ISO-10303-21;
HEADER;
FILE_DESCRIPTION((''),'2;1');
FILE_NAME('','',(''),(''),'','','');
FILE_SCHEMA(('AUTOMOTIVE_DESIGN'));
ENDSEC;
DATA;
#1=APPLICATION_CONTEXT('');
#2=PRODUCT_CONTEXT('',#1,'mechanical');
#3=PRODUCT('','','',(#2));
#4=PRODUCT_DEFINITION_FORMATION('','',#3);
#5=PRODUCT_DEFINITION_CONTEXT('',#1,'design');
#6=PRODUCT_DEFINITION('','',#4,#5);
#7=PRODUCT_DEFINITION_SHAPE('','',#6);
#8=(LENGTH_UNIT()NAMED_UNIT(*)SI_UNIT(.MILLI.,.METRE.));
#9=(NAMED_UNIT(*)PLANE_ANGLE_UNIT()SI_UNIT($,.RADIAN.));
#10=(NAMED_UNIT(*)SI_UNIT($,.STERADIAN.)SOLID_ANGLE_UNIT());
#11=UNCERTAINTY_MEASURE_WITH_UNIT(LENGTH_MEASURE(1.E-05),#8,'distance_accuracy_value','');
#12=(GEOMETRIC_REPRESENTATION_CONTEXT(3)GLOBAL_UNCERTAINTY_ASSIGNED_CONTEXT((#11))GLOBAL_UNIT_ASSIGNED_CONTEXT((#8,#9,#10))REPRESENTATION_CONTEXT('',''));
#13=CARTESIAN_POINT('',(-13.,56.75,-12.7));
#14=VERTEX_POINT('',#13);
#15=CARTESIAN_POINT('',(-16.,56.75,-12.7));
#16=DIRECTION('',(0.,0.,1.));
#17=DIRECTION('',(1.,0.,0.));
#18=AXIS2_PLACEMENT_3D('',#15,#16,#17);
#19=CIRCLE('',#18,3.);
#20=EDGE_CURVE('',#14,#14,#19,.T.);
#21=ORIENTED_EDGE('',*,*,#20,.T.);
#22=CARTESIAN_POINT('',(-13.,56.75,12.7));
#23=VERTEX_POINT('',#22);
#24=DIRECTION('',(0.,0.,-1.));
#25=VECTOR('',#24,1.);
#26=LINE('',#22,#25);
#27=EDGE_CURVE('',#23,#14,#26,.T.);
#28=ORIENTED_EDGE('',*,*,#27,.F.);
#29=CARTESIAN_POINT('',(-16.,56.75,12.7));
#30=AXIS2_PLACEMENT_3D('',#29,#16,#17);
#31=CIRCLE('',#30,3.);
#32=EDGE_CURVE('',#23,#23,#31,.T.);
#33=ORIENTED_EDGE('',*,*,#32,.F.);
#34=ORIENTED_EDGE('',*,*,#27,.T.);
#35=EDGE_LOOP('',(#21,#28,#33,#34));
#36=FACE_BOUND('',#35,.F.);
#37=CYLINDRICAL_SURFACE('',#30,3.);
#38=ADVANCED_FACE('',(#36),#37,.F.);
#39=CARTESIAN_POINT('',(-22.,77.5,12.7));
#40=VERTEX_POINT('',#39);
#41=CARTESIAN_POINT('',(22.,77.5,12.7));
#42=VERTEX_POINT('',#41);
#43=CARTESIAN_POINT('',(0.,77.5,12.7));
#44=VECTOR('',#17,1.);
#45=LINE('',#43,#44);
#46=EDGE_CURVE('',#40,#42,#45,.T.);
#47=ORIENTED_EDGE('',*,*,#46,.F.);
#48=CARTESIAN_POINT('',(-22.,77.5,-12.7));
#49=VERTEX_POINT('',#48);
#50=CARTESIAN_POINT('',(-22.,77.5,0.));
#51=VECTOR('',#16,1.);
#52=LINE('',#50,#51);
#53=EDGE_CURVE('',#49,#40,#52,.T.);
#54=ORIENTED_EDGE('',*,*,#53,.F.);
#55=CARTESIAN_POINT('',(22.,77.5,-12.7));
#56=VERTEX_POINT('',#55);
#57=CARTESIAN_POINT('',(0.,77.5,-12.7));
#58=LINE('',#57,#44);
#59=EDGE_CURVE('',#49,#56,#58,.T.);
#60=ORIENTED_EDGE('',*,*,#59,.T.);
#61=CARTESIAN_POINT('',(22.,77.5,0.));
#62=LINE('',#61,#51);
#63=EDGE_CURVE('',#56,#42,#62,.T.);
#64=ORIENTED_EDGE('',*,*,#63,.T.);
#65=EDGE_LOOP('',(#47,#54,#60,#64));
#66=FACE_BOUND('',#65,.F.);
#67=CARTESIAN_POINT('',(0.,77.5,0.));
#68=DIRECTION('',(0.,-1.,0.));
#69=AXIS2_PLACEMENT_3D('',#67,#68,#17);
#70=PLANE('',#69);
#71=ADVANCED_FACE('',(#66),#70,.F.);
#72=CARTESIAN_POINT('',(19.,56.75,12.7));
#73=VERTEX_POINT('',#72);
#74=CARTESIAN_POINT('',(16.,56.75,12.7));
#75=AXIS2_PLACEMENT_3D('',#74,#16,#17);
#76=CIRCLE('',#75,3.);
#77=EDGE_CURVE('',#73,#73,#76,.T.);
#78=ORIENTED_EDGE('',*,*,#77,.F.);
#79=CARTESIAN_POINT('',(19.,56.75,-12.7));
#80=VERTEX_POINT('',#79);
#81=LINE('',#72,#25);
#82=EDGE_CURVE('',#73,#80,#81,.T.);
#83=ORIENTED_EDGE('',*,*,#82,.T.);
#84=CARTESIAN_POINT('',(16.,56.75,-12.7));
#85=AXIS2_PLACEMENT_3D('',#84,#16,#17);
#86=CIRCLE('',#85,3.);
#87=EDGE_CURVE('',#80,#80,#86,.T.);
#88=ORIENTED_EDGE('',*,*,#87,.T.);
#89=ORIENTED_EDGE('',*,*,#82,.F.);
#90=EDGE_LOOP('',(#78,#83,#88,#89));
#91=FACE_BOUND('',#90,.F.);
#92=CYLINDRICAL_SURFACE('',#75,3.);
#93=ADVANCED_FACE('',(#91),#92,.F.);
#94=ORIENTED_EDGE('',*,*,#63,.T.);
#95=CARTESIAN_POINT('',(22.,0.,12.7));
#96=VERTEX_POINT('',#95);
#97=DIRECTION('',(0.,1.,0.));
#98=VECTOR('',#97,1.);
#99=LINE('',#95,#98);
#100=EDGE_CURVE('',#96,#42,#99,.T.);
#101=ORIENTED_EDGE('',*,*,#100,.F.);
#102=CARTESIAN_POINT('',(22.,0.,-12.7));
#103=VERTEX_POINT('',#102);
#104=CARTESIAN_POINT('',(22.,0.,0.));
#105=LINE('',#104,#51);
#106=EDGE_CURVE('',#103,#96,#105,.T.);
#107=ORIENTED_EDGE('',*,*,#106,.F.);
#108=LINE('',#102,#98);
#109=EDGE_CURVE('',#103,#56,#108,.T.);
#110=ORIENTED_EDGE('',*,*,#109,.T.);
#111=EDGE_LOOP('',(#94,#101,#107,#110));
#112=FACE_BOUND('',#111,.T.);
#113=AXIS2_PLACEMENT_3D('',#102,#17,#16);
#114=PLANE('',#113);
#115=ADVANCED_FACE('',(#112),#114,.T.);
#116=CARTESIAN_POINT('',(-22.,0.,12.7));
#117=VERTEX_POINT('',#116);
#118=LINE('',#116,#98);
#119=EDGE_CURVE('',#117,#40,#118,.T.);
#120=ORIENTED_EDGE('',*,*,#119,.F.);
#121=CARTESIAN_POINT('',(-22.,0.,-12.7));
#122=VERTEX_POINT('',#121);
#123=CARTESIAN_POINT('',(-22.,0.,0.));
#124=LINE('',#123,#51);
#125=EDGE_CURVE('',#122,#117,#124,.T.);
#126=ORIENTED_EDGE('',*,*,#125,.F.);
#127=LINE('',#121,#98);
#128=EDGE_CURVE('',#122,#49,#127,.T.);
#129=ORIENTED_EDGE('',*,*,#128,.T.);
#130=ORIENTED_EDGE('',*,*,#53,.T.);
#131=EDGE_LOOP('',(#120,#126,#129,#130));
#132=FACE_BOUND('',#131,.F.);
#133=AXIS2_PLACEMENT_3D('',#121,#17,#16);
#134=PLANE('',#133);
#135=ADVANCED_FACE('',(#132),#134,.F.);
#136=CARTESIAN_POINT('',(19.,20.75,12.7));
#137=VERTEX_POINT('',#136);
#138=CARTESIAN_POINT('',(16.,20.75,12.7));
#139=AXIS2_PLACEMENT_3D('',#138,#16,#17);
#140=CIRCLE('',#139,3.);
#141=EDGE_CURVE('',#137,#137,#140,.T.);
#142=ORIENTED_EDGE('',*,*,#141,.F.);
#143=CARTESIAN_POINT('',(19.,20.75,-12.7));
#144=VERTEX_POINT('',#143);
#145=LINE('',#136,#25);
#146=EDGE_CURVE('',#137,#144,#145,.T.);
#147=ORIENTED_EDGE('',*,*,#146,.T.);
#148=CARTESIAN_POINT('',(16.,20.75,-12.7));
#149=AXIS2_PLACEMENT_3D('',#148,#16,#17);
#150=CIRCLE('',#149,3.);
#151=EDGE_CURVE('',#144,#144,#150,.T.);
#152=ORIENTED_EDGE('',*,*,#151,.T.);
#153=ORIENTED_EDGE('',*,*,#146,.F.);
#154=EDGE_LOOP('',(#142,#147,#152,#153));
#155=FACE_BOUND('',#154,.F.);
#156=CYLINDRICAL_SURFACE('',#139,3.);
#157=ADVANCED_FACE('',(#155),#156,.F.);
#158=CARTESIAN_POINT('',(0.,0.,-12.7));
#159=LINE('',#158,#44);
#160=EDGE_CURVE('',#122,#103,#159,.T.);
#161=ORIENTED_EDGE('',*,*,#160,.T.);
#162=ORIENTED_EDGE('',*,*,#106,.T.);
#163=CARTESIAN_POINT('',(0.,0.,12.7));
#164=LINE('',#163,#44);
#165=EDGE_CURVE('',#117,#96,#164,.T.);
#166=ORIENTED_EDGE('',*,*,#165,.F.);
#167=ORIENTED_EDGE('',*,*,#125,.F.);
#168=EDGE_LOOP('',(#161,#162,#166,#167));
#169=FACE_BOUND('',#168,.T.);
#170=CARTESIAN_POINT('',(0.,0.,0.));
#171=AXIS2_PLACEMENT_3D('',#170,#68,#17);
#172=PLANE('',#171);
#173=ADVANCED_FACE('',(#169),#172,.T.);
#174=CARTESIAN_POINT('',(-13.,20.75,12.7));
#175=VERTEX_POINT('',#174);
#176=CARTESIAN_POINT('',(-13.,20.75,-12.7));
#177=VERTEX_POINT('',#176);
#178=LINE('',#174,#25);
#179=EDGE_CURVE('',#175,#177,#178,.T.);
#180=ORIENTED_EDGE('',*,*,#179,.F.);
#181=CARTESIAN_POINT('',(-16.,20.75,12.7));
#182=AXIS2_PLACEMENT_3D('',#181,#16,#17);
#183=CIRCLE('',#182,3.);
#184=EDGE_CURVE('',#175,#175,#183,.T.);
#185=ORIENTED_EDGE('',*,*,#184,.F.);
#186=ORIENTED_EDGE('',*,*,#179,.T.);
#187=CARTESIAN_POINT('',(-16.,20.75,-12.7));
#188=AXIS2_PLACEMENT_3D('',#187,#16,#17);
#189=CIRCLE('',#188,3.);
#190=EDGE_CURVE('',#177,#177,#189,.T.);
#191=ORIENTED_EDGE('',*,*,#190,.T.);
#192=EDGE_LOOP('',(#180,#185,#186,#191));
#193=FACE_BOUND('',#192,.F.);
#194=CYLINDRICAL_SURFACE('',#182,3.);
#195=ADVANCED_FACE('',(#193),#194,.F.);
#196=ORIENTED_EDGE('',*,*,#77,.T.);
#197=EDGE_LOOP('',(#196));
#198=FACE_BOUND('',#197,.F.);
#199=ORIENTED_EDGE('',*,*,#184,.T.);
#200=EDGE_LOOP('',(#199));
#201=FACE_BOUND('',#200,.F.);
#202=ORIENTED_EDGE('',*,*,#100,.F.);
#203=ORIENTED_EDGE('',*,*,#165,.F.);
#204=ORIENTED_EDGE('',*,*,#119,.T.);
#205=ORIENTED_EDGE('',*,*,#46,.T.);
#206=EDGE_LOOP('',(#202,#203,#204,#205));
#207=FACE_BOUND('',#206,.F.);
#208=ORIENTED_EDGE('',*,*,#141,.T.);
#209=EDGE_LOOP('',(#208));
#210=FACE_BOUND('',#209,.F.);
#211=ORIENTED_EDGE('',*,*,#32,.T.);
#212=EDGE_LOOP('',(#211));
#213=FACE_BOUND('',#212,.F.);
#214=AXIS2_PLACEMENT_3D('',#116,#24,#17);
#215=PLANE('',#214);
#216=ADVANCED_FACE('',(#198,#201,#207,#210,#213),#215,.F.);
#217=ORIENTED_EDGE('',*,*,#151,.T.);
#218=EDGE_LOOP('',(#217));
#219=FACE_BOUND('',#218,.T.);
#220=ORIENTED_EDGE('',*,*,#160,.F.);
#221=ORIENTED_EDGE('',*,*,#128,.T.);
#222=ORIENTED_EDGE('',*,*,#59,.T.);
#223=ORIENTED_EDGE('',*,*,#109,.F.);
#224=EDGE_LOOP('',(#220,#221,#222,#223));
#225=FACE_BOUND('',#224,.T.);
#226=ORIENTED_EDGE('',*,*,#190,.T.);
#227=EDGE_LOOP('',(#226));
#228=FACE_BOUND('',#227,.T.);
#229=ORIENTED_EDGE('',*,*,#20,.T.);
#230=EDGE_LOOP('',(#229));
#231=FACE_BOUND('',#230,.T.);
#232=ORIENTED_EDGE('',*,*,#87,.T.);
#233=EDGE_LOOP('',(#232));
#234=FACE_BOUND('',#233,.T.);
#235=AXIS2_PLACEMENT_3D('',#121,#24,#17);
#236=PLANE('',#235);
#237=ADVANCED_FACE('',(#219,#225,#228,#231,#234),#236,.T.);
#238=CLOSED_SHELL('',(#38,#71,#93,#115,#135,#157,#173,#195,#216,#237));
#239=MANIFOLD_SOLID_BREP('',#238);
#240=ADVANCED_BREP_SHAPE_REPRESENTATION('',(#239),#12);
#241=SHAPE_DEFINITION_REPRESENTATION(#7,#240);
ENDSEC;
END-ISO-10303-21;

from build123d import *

# Parameters (mm, degrees)
F0_W     = 44
F0_H     = 25.4
F1_DEPTH = 77.5
F2_R     = 3
F3_DEPTH = 25.401


with BuildPart() as f1:
    # F0 (on Front) → F1 (new body)
    with BuildSketch(Plane.XZ):
        Rectangle(F0_W, F0_H)
    extrude(amount=-F1_DEPTH)

    # F2 (on face) → F3 (cut, through all)
    with BuildSketch(Plane.XY.offset(12.7)):
        with Locations((-16, 56.75)):
            Circle(F2_R)
        with Locations((-16, 20.75)):
            Circle(F2_R)
        with Locations((16, 20.75)):
            Circle(F2_R)
        with Locations((16, 56.75)):
            Circle(F2_R)
    extrude(amount=-F3_DEPTH, mode=Mode.SUBTRACT)


solid = f1.part
